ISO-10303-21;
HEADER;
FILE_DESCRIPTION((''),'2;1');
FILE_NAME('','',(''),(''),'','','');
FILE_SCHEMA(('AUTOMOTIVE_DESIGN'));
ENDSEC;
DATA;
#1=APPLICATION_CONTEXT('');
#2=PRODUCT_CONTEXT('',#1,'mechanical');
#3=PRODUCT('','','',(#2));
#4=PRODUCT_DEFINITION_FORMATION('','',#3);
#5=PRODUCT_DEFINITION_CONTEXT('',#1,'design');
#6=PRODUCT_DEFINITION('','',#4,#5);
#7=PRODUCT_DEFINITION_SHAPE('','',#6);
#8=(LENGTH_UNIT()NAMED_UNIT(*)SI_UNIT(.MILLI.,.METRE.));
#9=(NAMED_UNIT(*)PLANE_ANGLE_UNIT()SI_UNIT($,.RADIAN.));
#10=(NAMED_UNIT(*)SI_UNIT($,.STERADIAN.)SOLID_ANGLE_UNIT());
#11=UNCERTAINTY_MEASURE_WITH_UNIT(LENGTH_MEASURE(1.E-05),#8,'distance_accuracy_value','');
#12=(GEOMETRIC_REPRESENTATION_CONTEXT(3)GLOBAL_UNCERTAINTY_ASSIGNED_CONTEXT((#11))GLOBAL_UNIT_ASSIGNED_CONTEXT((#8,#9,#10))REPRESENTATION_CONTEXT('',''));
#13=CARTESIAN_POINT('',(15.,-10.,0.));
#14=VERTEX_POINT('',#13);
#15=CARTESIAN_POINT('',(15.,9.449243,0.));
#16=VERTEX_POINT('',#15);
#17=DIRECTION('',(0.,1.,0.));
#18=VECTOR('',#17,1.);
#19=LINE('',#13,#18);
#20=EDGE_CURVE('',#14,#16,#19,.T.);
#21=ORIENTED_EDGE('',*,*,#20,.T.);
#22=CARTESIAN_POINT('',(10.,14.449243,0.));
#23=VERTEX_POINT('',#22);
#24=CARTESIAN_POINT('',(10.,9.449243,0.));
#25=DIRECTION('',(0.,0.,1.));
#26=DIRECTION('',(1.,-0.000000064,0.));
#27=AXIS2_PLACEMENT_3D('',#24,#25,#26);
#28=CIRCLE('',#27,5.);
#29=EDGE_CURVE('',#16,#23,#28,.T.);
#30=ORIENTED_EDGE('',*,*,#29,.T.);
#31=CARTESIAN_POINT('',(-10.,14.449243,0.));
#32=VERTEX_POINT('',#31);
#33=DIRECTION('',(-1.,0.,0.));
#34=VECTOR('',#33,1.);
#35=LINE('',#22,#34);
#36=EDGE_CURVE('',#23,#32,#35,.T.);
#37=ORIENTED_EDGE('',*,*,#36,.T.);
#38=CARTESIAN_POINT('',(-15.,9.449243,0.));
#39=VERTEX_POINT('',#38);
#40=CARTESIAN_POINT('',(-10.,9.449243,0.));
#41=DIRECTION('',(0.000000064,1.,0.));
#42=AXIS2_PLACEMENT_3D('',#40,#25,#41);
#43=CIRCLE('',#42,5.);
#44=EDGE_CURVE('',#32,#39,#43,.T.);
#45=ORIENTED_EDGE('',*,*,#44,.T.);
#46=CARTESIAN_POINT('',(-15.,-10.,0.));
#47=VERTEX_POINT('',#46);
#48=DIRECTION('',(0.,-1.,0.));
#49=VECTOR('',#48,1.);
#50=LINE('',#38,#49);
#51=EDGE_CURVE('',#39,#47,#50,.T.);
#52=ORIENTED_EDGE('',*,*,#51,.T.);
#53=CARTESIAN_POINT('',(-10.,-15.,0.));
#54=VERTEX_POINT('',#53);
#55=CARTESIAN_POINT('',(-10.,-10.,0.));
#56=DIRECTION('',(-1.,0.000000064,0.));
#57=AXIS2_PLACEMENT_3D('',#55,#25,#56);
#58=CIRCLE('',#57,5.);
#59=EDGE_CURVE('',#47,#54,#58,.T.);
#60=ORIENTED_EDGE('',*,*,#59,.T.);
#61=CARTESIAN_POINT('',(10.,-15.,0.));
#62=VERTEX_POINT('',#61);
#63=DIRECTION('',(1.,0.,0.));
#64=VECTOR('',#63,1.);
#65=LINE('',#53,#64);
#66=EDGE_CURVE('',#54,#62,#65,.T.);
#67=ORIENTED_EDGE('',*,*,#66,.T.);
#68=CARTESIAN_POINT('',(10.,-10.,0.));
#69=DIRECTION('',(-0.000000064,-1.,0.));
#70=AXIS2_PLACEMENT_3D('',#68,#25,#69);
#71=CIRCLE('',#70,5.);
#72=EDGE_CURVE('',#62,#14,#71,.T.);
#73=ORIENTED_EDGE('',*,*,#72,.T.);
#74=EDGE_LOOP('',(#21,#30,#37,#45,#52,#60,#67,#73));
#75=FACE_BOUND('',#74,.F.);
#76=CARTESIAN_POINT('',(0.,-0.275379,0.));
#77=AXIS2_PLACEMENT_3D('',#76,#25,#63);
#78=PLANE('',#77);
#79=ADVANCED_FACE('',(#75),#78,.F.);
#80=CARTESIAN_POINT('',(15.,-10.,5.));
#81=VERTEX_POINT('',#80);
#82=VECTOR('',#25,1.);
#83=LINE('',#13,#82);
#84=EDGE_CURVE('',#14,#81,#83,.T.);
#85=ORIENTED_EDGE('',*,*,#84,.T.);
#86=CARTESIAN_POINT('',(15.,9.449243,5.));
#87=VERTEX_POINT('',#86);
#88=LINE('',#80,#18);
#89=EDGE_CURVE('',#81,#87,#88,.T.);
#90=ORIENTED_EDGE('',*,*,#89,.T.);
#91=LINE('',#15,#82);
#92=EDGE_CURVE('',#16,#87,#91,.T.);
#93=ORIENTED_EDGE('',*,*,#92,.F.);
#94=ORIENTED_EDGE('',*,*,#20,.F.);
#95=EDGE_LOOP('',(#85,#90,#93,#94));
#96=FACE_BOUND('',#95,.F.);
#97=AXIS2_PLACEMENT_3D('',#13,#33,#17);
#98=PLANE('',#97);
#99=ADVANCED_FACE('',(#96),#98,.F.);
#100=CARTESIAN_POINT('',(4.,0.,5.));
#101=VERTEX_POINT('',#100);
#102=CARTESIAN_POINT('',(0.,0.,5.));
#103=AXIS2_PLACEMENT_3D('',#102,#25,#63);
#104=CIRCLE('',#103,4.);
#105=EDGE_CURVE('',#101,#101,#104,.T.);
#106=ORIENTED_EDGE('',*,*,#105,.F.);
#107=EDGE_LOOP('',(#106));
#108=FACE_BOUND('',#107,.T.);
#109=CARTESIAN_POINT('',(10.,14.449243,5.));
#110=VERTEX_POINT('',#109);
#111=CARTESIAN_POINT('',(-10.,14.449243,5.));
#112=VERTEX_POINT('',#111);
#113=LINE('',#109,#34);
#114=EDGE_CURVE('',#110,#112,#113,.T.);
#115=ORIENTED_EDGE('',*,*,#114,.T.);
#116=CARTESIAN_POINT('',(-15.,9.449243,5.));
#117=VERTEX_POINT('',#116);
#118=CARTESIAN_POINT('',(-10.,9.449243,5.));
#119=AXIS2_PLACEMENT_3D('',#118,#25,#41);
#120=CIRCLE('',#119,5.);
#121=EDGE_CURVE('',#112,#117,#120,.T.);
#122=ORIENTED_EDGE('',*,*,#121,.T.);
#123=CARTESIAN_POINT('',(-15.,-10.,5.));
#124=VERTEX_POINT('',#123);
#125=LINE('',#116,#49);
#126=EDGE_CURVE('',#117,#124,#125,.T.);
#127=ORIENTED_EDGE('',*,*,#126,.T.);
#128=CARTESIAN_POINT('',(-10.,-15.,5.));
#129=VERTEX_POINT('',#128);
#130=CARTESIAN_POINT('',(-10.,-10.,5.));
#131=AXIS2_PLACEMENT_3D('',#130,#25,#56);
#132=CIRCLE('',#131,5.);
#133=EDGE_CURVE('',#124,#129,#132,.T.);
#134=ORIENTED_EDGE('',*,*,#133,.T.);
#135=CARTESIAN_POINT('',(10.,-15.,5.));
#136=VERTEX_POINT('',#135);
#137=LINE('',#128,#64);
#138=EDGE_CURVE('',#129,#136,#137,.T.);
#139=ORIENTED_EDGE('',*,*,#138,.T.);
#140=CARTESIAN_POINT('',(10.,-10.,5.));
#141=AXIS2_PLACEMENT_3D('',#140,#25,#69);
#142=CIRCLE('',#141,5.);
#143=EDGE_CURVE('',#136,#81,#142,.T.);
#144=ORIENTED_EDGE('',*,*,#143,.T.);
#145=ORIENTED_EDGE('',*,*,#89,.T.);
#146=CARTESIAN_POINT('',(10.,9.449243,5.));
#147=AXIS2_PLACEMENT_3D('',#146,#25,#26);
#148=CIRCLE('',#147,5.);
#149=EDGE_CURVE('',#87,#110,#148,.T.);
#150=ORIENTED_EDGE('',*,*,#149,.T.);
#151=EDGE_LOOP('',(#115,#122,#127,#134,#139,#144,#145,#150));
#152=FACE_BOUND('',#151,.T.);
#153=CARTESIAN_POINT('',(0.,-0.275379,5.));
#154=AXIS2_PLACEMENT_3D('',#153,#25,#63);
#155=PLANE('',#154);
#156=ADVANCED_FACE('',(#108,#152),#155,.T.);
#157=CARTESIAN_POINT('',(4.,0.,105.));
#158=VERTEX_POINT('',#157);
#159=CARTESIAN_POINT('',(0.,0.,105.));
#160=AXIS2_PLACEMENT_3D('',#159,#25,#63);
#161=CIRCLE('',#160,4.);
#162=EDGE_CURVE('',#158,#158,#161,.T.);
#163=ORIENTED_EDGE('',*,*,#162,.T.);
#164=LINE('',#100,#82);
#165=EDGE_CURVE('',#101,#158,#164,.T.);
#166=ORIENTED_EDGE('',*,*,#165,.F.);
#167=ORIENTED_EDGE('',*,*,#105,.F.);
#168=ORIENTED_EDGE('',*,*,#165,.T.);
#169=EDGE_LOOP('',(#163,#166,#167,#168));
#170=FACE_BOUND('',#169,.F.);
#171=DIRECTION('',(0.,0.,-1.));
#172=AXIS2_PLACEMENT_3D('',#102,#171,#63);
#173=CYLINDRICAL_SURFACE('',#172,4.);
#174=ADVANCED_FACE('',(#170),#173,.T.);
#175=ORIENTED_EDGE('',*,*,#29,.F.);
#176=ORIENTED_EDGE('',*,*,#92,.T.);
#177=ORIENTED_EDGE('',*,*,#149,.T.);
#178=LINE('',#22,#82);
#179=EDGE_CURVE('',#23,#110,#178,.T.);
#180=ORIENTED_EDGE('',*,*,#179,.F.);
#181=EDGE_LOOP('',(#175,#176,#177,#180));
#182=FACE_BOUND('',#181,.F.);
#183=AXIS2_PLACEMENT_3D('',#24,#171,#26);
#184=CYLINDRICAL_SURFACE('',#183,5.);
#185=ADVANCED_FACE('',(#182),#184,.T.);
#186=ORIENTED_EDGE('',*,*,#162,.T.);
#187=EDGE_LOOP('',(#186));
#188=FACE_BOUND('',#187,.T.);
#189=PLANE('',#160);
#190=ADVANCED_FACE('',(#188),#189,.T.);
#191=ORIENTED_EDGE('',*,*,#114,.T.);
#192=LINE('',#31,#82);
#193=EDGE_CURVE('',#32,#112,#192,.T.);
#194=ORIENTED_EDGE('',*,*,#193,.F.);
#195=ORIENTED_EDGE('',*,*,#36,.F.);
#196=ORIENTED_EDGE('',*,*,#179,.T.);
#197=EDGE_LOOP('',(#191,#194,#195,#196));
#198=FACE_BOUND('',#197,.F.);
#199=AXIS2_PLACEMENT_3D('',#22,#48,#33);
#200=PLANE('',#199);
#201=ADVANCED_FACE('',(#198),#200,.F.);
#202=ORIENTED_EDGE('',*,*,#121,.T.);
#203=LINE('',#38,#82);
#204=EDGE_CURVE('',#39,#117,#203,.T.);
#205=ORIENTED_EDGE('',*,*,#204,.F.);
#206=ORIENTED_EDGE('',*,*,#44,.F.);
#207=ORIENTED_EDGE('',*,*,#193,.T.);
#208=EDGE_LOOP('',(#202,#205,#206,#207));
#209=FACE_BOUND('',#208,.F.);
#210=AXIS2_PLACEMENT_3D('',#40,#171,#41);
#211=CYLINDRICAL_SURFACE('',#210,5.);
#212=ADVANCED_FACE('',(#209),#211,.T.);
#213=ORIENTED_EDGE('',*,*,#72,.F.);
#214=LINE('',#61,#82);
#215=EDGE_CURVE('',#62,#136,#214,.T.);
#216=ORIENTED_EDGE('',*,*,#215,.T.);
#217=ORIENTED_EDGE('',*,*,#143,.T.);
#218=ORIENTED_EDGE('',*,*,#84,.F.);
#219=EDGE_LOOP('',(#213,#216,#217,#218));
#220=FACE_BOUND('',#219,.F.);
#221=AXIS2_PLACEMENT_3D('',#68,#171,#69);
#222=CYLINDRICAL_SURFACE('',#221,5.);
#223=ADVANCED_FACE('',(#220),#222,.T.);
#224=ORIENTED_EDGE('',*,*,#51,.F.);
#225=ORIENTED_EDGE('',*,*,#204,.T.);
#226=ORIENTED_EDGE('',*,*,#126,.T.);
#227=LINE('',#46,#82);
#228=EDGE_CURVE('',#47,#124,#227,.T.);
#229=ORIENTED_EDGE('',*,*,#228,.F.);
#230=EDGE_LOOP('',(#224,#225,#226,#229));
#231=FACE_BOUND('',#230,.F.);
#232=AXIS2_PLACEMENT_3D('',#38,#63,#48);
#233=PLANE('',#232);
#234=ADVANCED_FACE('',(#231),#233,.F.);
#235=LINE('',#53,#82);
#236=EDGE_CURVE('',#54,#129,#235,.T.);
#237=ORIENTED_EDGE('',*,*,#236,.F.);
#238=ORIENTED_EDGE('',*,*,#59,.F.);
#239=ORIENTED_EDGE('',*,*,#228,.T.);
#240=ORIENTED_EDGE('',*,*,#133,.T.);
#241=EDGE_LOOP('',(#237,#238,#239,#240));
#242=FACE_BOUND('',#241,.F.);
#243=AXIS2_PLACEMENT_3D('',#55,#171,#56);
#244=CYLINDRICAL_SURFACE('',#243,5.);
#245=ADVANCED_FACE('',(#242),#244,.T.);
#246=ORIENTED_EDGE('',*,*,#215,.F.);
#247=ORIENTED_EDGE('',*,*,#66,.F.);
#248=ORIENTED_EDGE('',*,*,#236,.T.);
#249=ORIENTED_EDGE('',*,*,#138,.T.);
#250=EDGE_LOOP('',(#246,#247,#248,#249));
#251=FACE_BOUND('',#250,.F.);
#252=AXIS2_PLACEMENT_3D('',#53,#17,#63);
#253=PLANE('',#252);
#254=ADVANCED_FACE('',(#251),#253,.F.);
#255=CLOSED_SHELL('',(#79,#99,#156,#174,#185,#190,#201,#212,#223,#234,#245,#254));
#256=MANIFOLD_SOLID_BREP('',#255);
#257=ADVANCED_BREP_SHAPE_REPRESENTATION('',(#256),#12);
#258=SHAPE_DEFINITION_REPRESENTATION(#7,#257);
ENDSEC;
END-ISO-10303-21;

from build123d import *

# Parameters (mm, degrees)
F1_DEPTH = 5
F2_R     = 4
F3_DEPTH = 100


with BuildPart() as f1:
    # F0 (on Top) → F1 (new body)
    with BuildSketch(Plane.XY):
        with BuildLine():
            Line((10, 14.449243), (-10, 14.449243))
            ThreePointArc((-10, 14.449243), (-13.535534, 12.984777), (-15, 9.449243))
            Line((-15, 9.449243), (-15, -10))
            ThreePointArc((-15, -10), (-13.535534, -13.535534), (-10, -15))
            Line((-10, -15), (10, -15))
            ThreePointArc((10, -15), (13.535534, -13.535534), (15, -10))
            Line((15, -10), (15, 9.449243))
            ThreePointArc((15, 9.449243), (13.535534, 12.984777), (10, 14.449243))
        make_face()
    extrude(amount=F1_DEPTH)

    # F2 (on face) → F3 (join)
    with BuildSketch(Plane.XY.offset(5)):
        Circle(F2_R)
    extrude(amount=F3_DEPTH)


solid = f1.part
